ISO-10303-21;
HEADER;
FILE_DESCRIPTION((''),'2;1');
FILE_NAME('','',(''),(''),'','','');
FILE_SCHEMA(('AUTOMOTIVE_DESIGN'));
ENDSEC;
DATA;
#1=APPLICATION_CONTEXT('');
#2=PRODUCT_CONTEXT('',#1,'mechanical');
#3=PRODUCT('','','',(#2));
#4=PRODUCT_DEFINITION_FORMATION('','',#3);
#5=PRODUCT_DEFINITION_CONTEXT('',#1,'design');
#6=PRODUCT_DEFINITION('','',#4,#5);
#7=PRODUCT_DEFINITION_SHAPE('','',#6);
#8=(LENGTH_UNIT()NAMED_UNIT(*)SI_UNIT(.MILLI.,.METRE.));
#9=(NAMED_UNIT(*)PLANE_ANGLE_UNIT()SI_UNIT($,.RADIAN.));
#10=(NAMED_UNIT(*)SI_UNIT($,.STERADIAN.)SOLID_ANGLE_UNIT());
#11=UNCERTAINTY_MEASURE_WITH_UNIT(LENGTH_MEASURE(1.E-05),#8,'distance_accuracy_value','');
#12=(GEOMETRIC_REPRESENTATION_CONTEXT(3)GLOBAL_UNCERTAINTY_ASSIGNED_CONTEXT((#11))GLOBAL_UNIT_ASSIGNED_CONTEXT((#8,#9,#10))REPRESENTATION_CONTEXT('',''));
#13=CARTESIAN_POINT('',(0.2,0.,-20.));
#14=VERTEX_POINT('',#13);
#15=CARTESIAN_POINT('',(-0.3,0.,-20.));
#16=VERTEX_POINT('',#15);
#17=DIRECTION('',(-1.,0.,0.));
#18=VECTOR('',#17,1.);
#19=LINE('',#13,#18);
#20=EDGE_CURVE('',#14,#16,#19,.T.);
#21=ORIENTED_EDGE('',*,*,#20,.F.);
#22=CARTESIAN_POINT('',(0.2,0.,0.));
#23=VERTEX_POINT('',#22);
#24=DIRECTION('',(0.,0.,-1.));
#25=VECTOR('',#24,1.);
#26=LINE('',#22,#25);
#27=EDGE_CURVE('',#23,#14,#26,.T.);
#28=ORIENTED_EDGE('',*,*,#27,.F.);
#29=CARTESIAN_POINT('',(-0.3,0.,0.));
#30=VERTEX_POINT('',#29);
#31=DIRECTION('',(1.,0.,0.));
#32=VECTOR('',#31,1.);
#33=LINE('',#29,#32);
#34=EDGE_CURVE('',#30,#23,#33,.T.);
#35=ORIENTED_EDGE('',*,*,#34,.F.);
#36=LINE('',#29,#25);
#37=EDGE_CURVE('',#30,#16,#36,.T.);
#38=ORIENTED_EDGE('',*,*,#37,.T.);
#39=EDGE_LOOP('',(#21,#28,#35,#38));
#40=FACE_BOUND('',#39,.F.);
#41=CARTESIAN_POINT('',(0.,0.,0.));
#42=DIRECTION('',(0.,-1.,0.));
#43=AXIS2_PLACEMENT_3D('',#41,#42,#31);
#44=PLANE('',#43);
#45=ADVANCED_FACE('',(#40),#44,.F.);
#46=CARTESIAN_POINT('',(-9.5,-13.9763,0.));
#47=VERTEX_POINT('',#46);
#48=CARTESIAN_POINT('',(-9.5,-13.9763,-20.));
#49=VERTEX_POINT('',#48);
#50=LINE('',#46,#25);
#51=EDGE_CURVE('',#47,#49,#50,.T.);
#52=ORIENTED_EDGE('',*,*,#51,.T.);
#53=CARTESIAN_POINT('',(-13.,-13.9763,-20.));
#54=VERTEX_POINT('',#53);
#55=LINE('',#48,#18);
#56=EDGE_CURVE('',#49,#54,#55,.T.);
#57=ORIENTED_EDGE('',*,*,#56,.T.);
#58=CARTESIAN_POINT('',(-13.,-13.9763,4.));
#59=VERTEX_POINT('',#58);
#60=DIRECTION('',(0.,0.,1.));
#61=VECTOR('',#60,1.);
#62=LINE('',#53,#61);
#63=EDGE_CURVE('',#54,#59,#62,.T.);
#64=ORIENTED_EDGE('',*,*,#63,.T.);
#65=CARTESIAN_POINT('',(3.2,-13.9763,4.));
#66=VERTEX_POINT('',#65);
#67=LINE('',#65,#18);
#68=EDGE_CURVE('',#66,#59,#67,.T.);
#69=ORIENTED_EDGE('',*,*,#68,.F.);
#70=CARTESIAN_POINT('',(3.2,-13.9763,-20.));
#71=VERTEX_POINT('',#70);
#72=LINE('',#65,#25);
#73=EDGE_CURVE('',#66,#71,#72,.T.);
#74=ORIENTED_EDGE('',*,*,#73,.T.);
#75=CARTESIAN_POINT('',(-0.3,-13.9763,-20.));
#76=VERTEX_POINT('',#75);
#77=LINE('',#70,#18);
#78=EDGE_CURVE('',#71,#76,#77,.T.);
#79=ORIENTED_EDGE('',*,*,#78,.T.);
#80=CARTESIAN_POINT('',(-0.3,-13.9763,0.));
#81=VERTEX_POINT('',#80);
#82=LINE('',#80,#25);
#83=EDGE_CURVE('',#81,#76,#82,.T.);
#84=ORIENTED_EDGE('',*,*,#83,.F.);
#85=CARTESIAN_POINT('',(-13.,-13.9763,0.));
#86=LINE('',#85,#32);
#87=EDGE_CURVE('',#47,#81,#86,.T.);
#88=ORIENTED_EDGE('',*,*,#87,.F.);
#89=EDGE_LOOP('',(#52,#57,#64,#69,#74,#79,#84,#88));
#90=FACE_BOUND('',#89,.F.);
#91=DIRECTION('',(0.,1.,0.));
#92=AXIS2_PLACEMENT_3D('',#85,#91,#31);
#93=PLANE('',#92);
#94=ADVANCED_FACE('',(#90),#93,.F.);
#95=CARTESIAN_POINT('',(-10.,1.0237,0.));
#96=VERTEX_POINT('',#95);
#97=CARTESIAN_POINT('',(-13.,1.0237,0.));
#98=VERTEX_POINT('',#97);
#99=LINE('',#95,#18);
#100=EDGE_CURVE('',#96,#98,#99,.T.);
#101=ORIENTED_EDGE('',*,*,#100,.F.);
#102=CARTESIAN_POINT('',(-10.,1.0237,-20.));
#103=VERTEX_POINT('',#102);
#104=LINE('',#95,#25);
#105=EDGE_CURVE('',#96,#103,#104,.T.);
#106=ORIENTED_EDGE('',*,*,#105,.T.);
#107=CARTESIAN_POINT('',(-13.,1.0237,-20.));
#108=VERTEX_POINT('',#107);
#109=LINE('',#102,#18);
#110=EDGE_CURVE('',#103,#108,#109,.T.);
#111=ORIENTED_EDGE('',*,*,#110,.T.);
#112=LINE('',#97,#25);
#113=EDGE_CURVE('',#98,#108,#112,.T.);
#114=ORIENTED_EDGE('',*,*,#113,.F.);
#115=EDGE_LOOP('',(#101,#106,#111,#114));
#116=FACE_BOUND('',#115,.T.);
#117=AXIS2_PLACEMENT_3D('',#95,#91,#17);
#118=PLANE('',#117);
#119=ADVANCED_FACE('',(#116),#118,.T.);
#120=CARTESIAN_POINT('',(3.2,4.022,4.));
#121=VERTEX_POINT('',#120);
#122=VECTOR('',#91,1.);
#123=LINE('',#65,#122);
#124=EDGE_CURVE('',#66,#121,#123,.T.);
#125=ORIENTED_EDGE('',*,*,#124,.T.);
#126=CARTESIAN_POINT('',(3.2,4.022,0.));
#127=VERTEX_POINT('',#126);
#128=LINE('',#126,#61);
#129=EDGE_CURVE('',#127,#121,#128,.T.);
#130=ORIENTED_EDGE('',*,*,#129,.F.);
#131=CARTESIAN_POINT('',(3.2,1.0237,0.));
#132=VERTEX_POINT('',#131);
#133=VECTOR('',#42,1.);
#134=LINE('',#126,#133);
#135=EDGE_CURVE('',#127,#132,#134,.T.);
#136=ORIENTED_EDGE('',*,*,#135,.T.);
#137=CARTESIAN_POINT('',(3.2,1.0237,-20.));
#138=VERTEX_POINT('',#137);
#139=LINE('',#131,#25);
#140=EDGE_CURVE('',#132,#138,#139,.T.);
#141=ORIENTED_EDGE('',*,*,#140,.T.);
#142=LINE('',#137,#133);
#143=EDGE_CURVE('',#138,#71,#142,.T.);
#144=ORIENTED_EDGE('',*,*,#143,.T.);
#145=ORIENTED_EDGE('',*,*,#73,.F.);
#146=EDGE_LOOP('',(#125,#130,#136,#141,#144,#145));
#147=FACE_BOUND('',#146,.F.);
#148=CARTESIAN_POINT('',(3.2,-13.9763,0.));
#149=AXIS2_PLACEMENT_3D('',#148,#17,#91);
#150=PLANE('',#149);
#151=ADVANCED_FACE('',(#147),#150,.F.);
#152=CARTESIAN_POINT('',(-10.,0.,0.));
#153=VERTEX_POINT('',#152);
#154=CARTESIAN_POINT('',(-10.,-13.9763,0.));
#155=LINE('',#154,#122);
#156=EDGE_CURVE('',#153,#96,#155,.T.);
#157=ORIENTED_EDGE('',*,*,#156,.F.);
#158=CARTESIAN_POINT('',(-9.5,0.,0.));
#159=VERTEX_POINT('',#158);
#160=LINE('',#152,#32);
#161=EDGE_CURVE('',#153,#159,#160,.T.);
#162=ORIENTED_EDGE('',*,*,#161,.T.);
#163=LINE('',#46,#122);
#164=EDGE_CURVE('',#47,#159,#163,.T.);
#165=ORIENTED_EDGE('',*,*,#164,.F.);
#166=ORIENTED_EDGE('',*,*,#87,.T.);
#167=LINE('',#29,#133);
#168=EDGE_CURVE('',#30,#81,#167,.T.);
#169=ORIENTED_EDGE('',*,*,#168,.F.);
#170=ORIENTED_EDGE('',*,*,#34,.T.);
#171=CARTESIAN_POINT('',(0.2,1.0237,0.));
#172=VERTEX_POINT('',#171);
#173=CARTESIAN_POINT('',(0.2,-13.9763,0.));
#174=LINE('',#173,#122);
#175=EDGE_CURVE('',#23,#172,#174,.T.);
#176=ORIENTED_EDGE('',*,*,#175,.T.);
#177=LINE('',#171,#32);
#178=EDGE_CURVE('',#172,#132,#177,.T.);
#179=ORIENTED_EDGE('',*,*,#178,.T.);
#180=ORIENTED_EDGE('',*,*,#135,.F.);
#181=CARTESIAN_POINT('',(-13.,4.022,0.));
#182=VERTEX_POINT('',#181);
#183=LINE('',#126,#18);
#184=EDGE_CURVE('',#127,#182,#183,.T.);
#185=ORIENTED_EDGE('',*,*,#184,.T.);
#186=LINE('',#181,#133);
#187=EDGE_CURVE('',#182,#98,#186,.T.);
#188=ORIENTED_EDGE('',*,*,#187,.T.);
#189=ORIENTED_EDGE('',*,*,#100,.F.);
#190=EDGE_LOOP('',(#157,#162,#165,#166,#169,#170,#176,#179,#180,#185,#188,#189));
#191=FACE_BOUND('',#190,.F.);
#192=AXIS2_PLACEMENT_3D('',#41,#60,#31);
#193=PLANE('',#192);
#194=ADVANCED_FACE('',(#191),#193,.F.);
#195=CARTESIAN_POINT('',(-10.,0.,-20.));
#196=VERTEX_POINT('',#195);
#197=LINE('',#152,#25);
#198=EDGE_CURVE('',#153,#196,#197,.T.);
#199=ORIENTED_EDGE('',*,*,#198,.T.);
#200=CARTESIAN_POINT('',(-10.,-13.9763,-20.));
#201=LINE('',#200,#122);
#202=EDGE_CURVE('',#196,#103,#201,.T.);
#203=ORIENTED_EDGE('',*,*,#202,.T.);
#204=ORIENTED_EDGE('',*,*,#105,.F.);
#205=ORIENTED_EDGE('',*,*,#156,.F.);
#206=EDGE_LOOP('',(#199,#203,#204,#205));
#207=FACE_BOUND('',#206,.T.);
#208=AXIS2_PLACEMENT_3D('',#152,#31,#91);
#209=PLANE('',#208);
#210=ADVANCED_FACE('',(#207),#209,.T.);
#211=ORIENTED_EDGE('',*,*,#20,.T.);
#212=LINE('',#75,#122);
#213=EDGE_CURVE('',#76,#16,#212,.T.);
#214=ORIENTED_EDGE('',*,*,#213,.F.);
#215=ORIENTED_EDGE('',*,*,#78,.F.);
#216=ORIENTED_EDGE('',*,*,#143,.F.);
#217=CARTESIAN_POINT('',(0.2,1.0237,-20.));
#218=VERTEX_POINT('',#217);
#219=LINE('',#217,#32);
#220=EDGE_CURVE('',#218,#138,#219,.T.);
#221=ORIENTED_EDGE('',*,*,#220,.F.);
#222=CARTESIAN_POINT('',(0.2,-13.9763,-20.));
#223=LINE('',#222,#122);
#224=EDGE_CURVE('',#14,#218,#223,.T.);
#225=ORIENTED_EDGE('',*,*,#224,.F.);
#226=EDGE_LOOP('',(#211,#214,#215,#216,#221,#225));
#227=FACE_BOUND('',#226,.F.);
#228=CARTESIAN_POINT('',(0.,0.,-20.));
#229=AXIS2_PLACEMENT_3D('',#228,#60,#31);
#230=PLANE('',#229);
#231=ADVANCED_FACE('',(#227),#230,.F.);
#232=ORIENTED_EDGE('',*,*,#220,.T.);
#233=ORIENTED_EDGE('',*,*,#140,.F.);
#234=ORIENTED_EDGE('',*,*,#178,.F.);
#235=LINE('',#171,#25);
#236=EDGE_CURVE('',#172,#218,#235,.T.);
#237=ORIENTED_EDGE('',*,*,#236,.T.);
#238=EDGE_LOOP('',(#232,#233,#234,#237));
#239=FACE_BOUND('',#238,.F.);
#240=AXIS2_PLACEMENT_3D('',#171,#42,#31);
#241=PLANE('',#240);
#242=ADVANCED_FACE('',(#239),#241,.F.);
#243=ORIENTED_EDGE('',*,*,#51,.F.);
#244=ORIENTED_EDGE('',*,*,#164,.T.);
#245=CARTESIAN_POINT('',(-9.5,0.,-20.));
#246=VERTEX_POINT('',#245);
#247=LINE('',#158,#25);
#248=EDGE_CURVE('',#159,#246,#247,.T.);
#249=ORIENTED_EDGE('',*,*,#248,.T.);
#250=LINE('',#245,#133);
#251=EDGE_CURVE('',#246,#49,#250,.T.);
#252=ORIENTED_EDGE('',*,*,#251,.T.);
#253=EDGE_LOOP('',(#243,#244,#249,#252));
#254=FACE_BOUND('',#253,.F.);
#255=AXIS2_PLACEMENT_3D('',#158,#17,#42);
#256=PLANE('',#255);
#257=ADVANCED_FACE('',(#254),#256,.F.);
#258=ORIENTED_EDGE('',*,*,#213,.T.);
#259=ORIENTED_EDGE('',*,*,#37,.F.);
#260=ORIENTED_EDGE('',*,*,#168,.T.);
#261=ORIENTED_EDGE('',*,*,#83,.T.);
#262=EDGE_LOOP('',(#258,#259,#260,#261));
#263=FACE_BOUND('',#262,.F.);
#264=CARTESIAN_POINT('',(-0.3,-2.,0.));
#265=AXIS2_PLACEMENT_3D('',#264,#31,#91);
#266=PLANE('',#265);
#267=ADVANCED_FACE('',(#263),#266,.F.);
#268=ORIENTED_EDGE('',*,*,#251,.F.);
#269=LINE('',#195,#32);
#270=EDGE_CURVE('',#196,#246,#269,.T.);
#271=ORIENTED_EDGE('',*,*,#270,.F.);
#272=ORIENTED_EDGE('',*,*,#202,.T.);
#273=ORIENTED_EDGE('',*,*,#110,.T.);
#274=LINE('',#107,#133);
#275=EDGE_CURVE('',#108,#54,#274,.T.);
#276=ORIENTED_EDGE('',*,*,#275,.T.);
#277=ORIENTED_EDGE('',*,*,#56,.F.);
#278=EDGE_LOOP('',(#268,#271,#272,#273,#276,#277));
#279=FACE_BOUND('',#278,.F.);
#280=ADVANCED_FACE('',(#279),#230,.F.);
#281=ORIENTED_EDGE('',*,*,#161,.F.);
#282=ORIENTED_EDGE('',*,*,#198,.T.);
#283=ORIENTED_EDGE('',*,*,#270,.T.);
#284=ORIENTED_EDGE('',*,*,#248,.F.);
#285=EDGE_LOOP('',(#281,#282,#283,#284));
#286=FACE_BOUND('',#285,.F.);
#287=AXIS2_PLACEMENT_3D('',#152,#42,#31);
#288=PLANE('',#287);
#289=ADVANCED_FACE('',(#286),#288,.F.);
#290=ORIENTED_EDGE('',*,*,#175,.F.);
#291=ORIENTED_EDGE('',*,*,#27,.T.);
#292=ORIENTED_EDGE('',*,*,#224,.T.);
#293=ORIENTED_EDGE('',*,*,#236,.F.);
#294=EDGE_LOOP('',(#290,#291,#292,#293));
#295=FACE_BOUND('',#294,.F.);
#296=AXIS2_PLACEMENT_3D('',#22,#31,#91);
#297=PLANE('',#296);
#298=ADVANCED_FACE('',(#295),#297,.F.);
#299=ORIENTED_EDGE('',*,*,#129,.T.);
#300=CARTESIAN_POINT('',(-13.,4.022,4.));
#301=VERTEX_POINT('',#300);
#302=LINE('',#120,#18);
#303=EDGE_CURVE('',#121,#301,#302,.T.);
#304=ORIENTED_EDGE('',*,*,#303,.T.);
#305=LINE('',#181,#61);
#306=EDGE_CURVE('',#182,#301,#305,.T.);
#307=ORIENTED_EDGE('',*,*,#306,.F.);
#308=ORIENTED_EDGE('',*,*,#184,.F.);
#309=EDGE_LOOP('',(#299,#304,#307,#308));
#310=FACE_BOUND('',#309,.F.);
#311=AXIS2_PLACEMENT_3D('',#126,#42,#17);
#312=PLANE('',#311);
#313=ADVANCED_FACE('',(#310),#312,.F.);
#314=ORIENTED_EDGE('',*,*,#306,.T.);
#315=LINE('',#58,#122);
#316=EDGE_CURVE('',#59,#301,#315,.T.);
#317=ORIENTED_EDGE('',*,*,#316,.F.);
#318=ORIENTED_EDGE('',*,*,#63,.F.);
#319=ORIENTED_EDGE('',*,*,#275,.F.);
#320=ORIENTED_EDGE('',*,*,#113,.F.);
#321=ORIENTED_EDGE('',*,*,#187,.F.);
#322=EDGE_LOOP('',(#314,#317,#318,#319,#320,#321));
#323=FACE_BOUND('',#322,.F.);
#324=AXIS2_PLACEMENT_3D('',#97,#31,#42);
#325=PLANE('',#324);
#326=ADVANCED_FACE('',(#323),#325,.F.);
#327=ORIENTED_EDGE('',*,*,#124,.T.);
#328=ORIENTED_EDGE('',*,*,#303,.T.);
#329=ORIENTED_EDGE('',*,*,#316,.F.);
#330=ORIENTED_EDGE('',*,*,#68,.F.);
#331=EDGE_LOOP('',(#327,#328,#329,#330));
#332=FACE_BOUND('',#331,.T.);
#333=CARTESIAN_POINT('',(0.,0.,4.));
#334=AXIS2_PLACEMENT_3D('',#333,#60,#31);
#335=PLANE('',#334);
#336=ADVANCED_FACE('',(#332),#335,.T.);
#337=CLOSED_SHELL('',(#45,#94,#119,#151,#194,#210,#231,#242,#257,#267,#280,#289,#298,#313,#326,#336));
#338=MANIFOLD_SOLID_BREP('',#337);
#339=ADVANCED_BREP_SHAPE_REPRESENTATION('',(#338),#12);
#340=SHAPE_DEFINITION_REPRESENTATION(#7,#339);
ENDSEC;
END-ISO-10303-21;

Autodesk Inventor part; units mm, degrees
ref_plane "YZ Plane" through (0, 0, 0) normal (1, 0, 0) x (0, 1, 0)
ref_plane "XZ Plane" through (0, 0, 0) normal (0, 1, 0) x (-1, 0, 0)
sketch "Sketch1" plane through (0, 0, 0) normal (0, 0, 1) x (1, 0, 0)
  line L0 (0, 4) -> (0, -2) projected
  line L1 (0, 4) -> (-10, 4) projected
  line L2 (-10, 1.0237) -> (-13, 1.0237)
  line L3 (-13, 1.0237) -> (-13, -13.9763)
  line L4 (-13, -13.9763) -> (-10, -13.9763)
  line L5 (-10, -13.9763) -> (-10, 1.0237)
  line L6 (0.2, 1.0237) -> (3.2, 1.0237)
  line L7 (3.2, 1.0237) -> (3.2, -13.9763)
  line L8 (3.2, -13.9763) -> (0.2, -13.9763)
  line L9 (0.2, -13.9763) -> (0.2, 1.0237)
  line L10 (-10, 0) -> (-9.5, 0)
  line L11 (-9.5, 0) -> (-9.5, -13.9763)
  line L12 (-9.5, -13.9763) -> (-10, -13.9763)
  line L13 (-10, -13.9763) -> (-10, 0)
  line L14 (0.2, -13.9763) -> (-0.3, -13.9763)
  line L15 (-0.3, -13.9763) -> (-0.3, 0)
  line L16 (-0.3, 1.0237) -> (0, 1.0237)
  line L17 (0.2, 1.0237) -> (0.2, -13.9763)
  line L18 (-0.3, 0) -> (0.2, 0)
  line L19 (-10, -2) -> (-10, 4) projected
  line L20 (0, -2) -> (-10, -2) projected
  dimension "d0" = 3
  dimension "d1" = 15
  dimension "d2" = 3
  dimension "d3" = 0.2
  dimension "d6" = 0.5
  dimension "d7" = 0.5
ref_plane "Work Plane1" through (-32, -64, -20) normal (0, 0, -1) x (0, 1, 0)
extrude "Extrusion1" add sketch "Sketch1" against normal up to surface (20 mm away) contours L18 L9 L14 L15 L20 L0 | L0 L20 L15 L18 | L5 L4 L3 L2 | L9 L6 L7 L8 | L10 L11 L20 L5 | L20 L11 L12 L5
sketch "Sketch2" plane through (0, 0, 0) normal (0, 0, 1) x (1, 0, 0)
  line L0 (-10, 0) -> (-10, 1.0237) projected
  line L1 (-10, 1.0237) -> (-13, 1.0237) projected
  line L2 (-13, 1.0237) -> (-13, -13.9763) projected
  line L3 (-13, -13.9763) -> (-9.5, -13.9763) projected
  line L4 (-9.5, -13.9763) -> (-9.5, 0) projected
  line L5 (-9.5, 0) -> (-10, 0) projected
  line L6 (3.2, -13.9763) -> (3.2, 1.0237) projected
  line L7 (-13, 1.0237) -> (-13, -13.9763) projected
  line L8 (-13, -13.9763) -> (3.2, -13.9763)
  line L9 (3.2, -13.9763) -> (3.2, 4.022)
  line L10 (3.2, 4.022) -> (-13, 4.022)
  line L11 (-13, 4.022) -> (-13, -13.9763)
  line L12 (3.2, 1.0237) -> (0.2, 1.0237) projected
  line L13 (0.2, 1.0237) -> (0.2, 0) projected
  line L14 (-0.3, -13.9763) -> (3.2, -13.9763) projected
  line L15 (0.2, 0) -> (-0.3, 0) projected
  line L16 (-0.3, 0) -> (-0.3, -13.9763) projected
  point P0 (0, 0)
  point P1 (0.2, -13.9763)
extrude "Extrusion2" add sketch "Sketch2" along normal blind 4
sketch "Sketch3" plane through (-0.3, -13.9763, -20) normal (0, -1, 0) x (1, 0, 0)
  line L0 (0, 0) -> (3.5, 0) projected
  line L1 (3.5, 0) -> (3.5, 24) projected
  line L2 (-12.7, 24) -> (3.5, 24) projected
  line L3 (-12.7, 0) -> (-12.7, 24) projected
  line L4 (-12.7, 0) -> (-9.2, 0) projected
  line L5 (-9.2, 20) -> (-9.2, 0) projected
  line L6 (0.3, 4) -> (-9.7, 4) projected
  line L7 (-9.2, 20) -> (-9.2, 0) projected
  line L8 (0, 20) -> (0, 0) projected
  line L9 (-9.2, 4) -> (0, 4)
  line L10 (0, 4) -> (0, 6)
  line L11 (0, 6) -> (-9.2, 6)
  line L12 (-9.2, 6) -> (-9.2, 4)
  line L13 (-9.2, 20) -> (0.3, 20)
  line L14 (0.3, 20) -> (0.3, 18)
  line L15 (0.3, 18) -> (-9.2, 18)
  line L16 (-9.2, 18) -> (-9.2, 20)
  line L17 (-9.2, 20) -> (0, 20) projected
  line L18 (0, 20) -> (0, 0) projected
  point P0 (0.3, 20)
  dimension "d10" = 2
  dimension "d11" = 2
extrude "Extrusion3" [suppressed]
properties part number "30_XY_Sample_lightsheetarm_sample_box"
